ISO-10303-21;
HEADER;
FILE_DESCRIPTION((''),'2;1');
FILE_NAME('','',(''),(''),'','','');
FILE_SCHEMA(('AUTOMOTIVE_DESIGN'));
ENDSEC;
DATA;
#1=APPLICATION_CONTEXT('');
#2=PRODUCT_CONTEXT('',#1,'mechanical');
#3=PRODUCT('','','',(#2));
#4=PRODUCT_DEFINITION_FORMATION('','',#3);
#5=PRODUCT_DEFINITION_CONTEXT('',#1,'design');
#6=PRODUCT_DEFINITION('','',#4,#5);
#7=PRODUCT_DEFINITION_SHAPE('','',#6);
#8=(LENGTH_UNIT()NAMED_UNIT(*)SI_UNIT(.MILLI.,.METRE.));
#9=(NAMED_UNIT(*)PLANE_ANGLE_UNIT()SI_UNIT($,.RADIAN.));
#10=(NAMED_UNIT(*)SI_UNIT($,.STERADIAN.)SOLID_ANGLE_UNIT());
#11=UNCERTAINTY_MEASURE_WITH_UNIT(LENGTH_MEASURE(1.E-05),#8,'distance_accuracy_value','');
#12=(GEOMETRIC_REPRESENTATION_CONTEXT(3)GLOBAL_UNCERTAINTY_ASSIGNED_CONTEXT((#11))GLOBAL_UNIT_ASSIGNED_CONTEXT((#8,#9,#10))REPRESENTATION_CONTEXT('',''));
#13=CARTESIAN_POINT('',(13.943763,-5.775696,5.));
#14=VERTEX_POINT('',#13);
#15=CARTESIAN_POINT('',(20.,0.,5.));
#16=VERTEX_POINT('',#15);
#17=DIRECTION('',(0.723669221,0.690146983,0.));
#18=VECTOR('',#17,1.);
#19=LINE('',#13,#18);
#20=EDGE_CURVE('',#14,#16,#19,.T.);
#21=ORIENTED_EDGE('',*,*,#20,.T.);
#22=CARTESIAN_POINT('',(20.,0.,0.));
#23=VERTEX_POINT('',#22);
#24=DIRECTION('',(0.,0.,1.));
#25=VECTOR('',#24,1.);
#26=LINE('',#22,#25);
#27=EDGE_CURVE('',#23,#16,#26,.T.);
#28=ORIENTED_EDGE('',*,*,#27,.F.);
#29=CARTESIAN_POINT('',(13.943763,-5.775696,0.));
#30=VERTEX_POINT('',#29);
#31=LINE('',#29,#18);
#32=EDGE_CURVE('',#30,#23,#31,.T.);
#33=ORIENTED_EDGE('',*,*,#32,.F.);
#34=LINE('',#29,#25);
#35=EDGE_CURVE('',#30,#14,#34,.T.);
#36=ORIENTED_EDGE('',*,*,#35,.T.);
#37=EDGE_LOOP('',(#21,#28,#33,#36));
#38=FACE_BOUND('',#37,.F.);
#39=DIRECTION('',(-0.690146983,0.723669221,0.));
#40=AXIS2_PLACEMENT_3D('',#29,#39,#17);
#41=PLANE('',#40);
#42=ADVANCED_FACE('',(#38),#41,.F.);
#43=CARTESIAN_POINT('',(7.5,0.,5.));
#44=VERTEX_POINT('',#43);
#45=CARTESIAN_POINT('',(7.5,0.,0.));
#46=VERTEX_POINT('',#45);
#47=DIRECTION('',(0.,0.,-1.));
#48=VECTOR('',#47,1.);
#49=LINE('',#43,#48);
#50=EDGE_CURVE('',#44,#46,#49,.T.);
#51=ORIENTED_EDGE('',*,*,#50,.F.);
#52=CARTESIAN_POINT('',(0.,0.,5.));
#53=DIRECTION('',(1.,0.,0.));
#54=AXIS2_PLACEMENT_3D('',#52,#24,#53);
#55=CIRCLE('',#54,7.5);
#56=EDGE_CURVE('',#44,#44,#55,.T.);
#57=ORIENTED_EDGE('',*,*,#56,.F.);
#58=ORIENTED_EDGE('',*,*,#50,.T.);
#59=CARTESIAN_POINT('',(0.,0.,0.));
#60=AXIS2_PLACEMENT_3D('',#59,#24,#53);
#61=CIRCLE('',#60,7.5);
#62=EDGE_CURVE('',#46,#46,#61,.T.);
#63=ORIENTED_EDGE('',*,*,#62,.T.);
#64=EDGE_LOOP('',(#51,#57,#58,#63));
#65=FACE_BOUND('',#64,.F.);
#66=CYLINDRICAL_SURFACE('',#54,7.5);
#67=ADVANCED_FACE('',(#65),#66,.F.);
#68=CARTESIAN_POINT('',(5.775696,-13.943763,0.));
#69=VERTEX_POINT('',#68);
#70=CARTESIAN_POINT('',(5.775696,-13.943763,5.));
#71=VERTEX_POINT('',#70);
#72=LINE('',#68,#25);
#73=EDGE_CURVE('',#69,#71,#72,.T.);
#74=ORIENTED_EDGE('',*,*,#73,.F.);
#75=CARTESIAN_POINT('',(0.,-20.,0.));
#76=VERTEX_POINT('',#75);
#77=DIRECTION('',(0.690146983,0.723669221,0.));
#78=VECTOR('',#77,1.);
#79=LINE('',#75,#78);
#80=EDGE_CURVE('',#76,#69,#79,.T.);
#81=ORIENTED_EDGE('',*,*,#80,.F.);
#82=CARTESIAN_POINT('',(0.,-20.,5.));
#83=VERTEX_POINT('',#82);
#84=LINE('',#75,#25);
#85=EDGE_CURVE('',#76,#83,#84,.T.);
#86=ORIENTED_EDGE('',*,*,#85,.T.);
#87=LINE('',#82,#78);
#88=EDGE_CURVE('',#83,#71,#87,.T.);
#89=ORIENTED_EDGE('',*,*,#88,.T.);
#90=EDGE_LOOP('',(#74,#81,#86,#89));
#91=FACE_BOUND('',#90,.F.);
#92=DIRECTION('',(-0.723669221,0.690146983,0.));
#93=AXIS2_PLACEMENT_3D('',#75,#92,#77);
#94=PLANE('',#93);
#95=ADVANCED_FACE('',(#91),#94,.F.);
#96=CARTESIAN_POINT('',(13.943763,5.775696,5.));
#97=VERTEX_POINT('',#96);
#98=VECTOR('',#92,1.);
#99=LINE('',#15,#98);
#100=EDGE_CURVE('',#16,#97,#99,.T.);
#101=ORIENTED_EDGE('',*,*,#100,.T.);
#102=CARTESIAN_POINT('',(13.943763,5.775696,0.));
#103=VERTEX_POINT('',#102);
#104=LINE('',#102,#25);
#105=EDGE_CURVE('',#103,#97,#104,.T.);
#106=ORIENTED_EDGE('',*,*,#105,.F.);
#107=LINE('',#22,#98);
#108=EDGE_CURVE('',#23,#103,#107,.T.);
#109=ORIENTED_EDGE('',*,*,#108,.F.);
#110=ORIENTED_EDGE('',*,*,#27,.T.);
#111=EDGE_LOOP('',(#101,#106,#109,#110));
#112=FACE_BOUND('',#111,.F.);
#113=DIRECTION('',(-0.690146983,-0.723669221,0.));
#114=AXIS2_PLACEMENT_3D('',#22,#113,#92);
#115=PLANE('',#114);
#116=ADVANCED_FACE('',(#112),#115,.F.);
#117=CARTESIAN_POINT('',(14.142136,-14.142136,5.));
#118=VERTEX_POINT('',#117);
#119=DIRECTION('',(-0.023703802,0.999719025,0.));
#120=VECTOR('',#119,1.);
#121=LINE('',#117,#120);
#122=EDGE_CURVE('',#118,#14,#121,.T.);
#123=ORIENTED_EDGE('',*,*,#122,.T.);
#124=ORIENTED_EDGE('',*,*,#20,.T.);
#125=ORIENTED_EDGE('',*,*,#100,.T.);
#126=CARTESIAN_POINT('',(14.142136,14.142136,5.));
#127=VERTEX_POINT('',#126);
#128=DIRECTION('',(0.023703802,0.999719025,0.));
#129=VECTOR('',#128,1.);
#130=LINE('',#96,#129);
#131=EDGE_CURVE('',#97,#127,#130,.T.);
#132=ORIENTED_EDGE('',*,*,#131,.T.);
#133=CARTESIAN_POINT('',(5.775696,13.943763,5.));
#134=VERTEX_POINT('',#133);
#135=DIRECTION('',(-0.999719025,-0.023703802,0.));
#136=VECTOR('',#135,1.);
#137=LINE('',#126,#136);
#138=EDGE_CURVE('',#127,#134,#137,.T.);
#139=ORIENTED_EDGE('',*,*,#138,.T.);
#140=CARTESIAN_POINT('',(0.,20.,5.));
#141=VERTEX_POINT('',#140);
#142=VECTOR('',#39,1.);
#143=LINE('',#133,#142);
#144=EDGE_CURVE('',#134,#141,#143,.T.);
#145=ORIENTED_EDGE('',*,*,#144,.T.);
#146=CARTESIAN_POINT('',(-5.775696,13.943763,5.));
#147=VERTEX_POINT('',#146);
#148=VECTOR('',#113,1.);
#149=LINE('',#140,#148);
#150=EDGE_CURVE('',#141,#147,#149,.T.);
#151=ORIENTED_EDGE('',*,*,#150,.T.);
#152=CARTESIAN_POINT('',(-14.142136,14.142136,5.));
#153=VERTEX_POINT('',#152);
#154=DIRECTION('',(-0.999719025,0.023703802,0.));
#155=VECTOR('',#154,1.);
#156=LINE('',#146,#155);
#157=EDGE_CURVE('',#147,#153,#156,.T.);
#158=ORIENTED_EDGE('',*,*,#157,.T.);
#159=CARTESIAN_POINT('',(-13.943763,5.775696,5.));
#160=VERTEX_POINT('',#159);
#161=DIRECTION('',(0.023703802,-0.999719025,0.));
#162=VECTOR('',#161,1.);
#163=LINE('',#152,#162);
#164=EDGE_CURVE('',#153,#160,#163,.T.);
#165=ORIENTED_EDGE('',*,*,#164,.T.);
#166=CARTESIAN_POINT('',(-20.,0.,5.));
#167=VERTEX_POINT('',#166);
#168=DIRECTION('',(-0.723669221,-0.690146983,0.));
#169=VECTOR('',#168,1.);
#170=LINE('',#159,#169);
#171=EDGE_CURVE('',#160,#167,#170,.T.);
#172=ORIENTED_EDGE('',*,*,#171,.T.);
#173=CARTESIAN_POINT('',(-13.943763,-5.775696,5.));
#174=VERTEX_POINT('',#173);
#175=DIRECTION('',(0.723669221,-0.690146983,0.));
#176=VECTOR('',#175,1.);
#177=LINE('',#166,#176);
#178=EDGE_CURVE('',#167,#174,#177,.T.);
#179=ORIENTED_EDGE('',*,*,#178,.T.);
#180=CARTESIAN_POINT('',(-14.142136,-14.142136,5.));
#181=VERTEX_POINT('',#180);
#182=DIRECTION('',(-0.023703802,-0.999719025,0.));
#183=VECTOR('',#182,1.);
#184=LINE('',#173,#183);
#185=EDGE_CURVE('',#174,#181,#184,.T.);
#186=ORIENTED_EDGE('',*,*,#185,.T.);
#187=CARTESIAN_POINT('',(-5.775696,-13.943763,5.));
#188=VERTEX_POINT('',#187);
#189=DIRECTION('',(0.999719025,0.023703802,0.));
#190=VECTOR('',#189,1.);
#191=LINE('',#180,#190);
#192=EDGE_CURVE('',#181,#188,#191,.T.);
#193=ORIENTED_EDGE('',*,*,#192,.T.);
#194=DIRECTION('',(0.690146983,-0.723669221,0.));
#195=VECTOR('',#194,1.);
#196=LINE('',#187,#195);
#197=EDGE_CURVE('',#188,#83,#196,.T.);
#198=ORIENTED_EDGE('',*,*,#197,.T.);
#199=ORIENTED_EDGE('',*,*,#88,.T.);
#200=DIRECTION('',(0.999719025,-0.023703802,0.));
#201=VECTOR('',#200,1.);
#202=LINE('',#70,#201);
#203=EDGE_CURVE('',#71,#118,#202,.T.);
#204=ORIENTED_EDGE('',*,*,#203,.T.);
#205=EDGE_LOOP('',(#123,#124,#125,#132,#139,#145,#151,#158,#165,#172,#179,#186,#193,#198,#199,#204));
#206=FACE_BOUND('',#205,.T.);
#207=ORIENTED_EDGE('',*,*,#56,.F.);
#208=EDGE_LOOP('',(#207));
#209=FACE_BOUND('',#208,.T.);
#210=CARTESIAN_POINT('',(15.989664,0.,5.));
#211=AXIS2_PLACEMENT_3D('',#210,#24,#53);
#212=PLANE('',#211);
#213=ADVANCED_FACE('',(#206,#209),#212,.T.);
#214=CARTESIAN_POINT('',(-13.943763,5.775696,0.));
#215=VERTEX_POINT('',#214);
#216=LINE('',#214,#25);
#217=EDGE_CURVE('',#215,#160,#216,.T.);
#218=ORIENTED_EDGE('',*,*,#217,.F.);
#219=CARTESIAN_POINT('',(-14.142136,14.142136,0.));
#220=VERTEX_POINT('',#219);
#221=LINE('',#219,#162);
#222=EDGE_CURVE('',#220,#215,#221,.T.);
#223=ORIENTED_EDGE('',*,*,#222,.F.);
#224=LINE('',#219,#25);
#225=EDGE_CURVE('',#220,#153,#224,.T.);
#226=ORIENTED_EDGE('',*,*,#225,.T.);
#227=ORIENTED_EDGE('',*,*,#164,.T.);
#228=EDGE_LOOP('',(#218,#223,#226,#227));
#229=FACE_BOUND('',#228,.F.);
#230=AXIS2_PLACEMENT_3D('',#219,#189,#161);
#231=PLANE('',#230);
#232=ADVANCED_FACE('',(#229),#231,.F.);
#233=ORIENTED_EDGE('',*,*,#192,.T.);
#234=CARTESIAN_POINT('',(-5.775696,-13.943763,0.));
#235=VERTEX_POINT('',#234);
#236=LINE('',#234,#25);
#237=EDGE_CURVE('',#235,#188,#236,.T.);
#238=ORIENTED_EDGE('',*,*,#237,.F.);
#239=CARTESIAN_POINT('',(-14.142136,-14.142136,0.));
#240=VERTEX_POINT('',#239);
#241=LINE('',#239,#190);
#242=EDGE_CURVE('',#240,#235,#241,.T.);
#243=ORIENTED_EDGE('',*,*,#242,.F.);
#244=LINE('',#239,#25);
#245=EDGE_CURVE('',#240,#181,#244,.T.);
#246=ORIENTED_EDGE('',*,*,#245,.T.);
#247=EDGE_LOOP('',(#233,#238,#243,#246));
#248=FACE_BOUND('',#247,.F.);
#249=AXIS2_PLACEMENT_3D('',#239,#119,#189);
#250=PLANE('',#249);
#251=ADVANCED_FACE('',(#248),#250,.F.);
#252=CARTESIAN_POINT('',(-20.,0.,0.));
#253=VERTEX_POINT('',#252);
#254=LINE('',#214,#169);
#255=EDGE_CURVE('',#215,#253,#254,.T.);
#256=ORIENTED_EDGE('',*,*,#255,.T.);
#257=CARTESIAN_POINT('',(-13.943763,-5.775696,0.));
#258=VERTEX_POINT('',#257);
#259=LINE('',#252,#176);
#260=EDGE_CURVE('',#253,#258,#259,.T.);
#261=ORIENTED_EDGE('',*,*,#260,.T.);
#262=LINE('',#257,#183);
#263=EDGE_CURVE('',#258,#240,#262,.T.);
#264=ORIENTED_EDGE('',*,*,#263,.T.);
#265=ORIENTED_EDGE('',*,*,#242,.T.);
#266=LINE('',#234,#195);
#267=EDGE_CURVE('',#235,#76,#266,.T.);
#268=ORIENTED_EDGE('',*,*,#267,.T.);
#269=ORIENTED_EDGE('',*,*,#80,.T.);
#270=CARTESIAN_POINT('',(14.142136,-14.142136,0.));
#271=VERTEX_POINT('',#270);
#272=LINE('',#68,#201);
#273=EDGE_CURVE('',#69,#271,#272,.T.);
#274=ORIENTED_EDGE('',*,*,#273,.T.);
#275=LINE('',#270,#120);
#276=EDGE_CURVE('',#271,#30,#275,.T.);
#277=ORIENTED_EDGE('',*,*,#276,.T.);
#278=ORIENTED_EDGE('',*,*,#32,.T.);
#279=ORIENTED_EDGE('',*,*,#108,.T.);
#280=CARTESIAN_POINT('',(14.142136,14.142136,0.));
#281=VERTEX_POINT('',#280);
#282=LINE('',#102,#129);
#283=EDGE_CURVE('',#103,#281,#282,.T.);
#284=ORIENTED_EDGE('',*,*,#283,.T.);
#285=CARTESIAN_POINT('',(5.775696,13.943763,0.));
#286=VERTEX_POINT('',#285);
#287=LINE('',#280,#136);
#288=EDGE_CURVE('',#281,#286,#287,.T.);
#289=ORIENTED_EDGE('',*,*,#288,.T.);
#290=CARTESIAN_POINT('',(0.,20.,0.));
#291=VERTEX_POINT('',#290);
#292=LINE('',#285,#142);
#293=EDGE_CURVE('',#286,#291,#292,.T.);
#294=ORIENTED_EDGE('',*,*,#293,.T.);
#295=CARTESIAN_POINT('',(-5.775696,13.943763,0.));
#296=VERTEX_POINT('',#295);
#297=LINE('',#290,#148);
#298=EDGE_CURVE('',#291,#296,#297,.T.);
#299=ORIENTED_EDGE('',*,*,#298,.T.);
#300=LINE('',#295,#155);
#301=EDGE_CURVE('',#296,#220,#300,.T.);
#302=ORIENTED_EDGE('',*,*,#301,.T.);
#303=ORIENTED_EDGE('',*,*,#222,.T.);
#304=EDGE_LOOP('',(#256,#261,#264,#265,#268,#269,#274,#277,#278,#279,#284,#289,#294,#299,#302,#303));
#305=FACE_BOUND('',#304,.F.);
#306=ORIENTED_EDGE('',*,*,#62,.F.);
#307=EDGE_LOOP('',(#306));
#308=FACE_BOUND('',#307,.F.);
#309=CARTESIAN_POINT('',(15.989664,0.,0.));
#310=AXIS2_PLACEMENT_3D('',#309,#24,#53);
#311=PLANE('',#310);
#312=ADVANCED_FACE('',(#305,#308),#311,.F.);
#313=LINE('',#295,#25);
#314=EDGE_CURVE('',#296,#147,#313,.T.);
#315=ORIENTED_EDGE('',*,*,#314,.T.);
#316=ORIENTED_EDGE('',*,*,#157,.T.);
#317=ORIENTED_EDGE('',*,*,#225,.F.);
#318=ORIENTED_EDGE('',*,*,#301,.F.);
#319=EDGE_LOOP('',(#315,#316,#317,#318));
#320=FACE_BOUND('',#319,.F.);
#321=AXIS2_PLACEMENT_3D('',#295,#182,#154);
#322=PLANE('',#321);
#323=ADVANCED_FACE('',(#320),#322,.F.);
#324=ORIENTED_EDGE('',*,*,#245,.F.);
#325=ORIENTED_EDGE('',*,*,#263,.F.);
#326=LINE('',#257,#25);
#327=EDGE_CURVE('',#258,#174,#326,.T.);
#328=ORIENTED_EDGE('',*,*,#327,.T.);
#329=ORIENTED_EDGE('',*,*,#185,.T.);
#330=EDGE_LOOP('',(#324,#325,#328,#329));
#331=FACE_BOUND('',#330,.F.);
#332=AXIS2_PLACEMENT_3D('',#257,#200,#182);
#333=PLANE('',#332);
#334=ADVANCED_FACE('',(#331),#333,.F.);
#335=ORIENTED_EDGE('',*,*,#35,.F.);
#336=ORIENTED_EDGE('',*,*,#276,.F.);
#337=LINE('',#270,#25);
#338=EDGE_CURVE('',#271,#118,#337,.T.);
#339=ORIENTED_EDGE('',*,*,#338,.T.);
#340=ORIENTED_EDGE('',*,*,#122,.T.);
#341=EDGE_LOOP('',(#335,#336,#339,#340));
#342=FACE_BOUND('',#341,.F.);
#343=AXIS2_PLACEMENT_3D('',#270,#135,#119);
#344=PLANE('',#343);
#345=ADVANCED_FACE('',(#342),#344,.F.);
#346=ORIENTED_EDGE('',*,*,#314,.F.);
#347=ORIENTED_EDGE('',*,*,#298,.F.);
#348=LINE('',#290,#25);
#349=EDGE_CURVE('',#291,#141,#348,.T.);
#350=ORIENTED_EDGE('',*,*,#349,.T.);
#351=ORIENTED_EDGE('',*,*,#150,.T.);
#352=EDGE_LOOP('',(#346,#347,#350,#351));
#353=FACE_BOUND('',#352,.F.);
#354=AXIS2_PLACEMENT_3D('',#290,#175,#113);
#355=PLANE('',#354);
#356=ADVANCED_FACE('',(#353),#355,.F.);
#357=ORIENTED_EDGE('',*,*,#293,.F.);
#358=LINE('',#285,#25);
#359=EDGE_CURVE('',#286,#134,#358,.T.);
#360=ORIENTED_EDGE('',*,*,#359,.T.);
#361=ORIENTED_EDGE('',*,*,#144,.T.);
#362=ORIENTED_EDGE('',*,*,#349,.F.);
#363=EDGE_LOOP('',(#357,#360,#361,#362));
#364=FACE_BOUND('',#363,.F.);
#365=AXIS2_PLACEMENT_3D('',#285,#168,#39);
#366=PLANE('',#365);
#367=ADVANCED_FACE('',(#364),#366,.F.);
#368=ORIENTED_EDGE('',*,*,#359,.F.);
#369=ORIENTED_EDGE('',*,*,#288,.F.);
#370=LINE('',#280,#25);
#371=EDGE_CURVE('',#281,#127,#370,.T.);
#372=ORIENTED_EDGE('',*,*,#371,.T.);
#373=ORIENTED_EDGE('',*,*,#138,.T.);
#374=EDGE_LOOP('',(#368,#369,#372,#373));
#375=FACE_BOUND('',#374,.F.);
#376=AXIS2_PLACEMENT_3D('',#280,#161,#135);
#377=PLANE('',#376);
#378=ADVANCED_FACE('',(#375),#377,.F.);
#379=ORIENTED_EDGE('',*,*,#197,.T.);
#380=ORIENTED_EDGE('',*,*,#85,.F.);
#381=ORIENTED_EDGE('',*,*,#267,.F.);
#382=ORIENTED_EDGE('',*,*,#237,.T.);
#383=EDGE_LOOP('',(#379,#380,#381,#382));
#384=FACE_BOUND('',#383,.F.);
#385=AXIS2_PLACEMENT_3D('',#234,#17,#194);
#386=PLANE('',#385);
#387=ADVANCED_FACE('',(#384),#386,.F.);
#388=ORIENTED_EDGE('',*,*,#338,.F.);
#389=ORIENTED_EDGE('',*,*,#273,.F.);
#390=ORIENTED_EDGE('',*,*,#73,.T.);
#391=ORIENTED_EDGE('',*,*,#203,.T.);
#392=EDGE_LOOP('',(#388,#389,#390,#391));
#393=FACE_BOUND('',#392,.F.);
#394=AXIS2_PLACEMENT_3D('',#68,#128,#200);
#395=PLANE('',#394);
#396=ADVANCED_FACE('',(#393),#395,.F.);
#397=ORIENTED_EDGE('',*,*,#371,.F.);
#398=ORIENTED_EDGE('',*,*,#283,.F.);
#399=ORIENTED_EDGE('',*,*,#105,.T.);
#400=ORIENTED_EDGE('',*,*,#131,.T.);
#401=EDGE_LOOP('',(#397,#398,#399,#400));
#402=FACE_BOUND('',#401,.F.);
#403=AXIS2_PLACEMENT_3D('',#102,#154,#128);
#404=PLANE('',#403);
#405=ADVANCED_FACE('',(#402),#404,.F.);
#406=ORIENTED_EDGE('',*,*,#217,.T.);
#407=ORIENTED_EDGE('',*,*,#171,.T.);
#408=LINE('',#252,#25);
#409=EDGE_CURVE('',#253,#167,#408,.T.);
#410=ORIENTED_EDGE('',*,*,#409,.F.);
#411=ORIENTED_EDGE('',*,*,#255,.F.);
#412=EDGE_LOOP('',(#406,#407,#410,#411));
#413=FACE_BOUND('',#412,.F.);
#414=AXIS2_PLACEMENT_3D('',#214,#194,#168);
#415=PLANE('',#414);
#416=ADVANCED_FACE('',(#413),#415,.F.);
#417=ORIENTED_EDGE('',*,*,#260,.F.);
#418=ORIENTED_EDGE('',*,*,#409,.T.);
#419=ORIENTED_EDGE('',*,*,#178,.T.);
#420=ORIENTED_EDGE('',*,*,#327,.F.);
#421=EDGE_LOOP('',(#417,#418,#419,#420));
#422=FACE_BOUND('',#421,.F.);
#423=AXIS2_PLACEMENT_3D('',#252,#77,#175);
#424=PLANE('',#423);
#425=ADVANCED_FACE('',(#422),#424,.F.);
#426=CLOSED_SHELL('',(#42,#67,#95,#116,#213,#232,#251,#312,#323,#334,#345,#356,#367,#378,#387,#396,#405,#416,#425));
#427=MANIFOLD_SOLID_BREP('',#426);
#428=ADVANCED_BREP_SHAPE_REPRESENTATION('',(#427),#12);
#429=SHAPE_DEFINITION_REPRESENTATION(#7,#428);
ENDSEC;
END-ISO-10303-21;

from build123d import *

# Parameters (mm, degrees)
F1_DEPTH = 5
F2_R     = 7.5
F3_DEPTH = 25


with BuildPart() as f1:
    # F0 (on Top) → F1 (new body)
    with BuildSketch(Plane.XY):
        with BuildLine():
            ThreePointArc((13.93824703, 5.5430379513), (14.7321706726, 2.8219049018), (15, 0))
            ThreePointArc((15, 0), (14.7321706726, -2.8219049018), (13.93824703, -5.5430379513))
            Line((13.93824703, -5.5430379513), (13.9437634587, -5.7756959351))
            Line((13.9437634587, -5.7756959351), (20, 0))
            Line((20, 0), (13.9437634587, 5.7756959351))
            Line((13.9437634587, 5.7756959351), (13.93824703, 5.5430379513))
        make_face()
        with BuildLine():
            ThreePointArc((13.7753487165, 5.9363092691), (13.8581929877, 5.7402514855), (13.93824703, 5.5430379513))
            Line((13.93824703, 5.5430379513), (13.9437634587, 5.7756959351))
            Line((13.9437634587, 5.7756959351), (13.7753487165, 5.9363092691))
        make_face()
        with BuildLine():
            Line((13.9437634587, -5.7756959351), (13.93824703, -5.5430379513))
            ThreePointArc((13.93824703, -5.5430379513), (13.8581929877, -5.7402514855), (13.7753487165, -5.9363092691))
            Line((13.7753487165, -5.9363092691), (13.9437634587, -5.7756959351))
        make_face()
        with BuildLine():
            ThreePointArc((5.9363092691, 13.7753487165), (10.6066017178, 10.6066017178), (13.7753487165, 5.9363092691))
            Line((13.7753487165, 5.9363092691), (13.9437634587, 5.7756959351))
            Line((13.9437634587, 5.7756959351), (14.1421356237, 14.1421356237))
            Line((14.1421356237, 14.1421356237), (5.7756959351, 13.9437634587))
            Line((5.7756959351, 13.9437634587), (5.9363092691, 13.7753487165))
        make_face()
        with BuildLine():
            Line((13.9437634587, -5.7756959351), (13.7753487165, -5.9363092691))
            ThreePointArc((13.7753487165, -5.9363092691), (10.6066017178, -10.6066017178), (5.9363092691, -13.7753487165))
            Line((5.9363092691, -13.7753487165), (5.7756959351, -13.9437634587))
            Line((5.7756959351, -13.9437634587), (14.1421356237, -14.1421356237))
            Line((14.1421356237, -14.1421356237), (13.9437634587, -5.7756959351))
        make_face()
        with BuildLine():
            ThreePointArc((5.5430379513, 13.93824703), (5.7402514855, 13.8581929877), (5.9363092691, 13.7753487165))
            Line((5.9363092691, 13.7753487165), (5.7756959351, 13.9437634587))
            Line((5.7756959351, 13.9437634587), (5.5430379513, 13.93824703))
        make_face()
        with BuildLine():
            Line((5.7756959351, -13.9437634587), (5.9363092691, -13.7753487165))
            ThreePointArc((5.9363092691, -13.7753487165), (5.7402514855, -13.8581929877), (5.5430379513, -13.93824703))
            Line((5.5430379513, -13.93824703), (5.7756959351, -13.9437634587))
        make_face()
        with BuildLine():
            ThreePointArc((0, 15), (2.8219049018, 14.7321706726), (5.5430379513, 13.93824703))
            Line((5.5430379513, 13.93824703), (5.7756959351, 13.9437634587))
            Line((5.7756959351, 13.9437634587), (0, 20))
            Line((0, 20), (0, 15))
        make_face()
        with BuildLine():
            Line((5.7756959351, -13.9437634587), (5.5430379513, -13.93824703))
            ThreePointArc((5.5430379513, -13.93824703), (0, -15), (-5.5430379513, -13.93824703))
            Line((-5.5430379513, -13.93824703), (-5.7756959351, -13.9437634587))
            Line((-5.7756959351, -13.9437634587), (0, -20))
            Line((0, -20), (5.7756959351, -13.9437634587))
        make_face()
        with BuildLine():
            ThreePointArc((-5.5430379513, 13.93824703), (-2.8219049018, 14.7321706726), (0, 15))
            Line((0, 15), (0, 20))
            Line((0, 20), (-5.7756959351, 13.9437634587))
            Line((-5.7756959351, 13.9437634587), (-5.5430379513, 13.93824703))
        make_face()
        with BuildLine():
            Line((-5.7756959351, -13.9437634587), (-5.5430379513, -13.93824703))
            ThreePointArc((-5.5430379513, -13.93824703), (-5.7402514855, -13.8581929877), (-5.9363092691, -13.7753487165))
            Line((-5.9363092691, -13.7753487165), (-5.7756959351, -13.9437634587))
        make_face()
        with BuildLine():
            ThreePointArc((-5.9363092691, 13.7753487165), (-5.7402514855, 13.8581929877), (-5.5430379513, 13.93824703))
            Line((-5.5430379513, 13.93824703), (-5.7756959351, 13.9437634587))
            Line((-5.7756959351, 13.9437634587), (-5.9363092691, 13.7753487165))
        make_face()
        with BuildLine():
            Line((-5.9363092691, 13.7753487165), (-5.7756959351, 13.9437634587))
            Line((-5.7756959351, 13.9437634587), (-14.1421356237, 14.1421356237))
            Line((-14.1421356237, 14.1421356237), (-13.9437634587, 5.7756959351))
            Line((-13.9437634587, 5.7756959351), (-13.7753487165, 5.9363092691))
            ThreePointArc((-13.7753487165, 5.9363092691), (-10.6066017178, 10.6066017178), (-5.9363092691, 13.7753487165))
        make_face()
        with BuildLine():
            Line((-5.7756959351, -13.9437634587), (-5.9363092691, -13.7753487165))
            ThreePointArc((-5.9363092691, -13.7753487165), (-10.6066017178, -10.6066017178), (-13.7753487165, -5.9363092691))
            Line((-13.7753487165, -5.9363092691), (-13.9437634587, -5.7756959351))
            Line((-13.9437634587, -5.7756959351), (-14.1421356237, -14.1421356237))
            Line((-14.1421356237, -14.1421356237), (-5.7756959351, -13.9437634587))
        make_face()
        with BuildLine():
            Line((-13.9437634587, -5.7756959351), (-13.7753487165, -5.9363092691))
            ThreePointArc((-13.7753487165, -5.9363092691), (-13.8581929877, -5.7402514855), (-13.93824703, -5.5430379513))
            Line((-13.93824703, -5.5430379513), (-13.9437634587, -5.7756959351))
        make_face()
        with BuildLine():
            ThreePointArc((-13.93824703, 5.5430379513), (-13.8581929877, 5.7402514855), (-13.7753487165, 5.9363092691))
            Line((-13.7753487165, 5.9363092691), (-13.9437634587, 5.7756959351))
            Line((-13.9437634587, 5.7756959351), (-13.93824703, 5.5430379513))
        make_face()
        with BuildLine():
            Line((-13.93824703, 5.5430379513), (-13.9437634587, 5.7756959351))
            Line((-13.9437634587, 5.7756959351), (-20, 0))
            Line((-20, 0), (-13.9437634587, -5.7756959351))
            Line((-13.9437634587, -5.7756959351), (-13.93824703, -5.5430379513))
            ThreePointArc((-13.93824703, -5.5430379513), (-15, 0), (-13.93824703, 5.5430379513))
        make_face()
        with BuildLine():
            ThreePointArc((13.93824703, -5.5430379513), (14.7321706726, -2.8219049018), (15, 0))
            ThreePointArc((15, 0), (14.7321706726, 2.8219049018), (13.93824703, 5.5430379513))
            ThreePointArc((13.93824703, 5.5430379513), (13.8581929877, 5.7402514855), (13.7753487165, 5.9363092691))
            ThreePointArc((13.7753487165, 5.9363092691), (10.6066017178, 10.6066017178), (5.9363092691, 13.7753487165))
            ThreePointArc((5.9363092691, 13.7753487165), (5.7402514855, 13.8581929877), (5.5430379513, 13.93824703))
            ThreePointArc((5.5430379513, 13.93824703), (2.8219049018, 14.7321706726), (0, 15))
            ThreePointArc((0, 15), (-2.8219049018, 14.7321706726), (-5.5430379513, 13.93824703))
            ThreePointArc((-5.5430379513, 13.93824703), (-5.7402514855, 13.8581929877), (-5.9363092691, 13.7753487165))
            ThreePointArc((-5.9363092691, 13.7753487165), (-10.6066017178, 10.6066017178), (-13.7753487165, 5.9363092691))
            ThreePointArc((-13.7753487165, 5.9363092691), (-13.8581929877, 5.7402514855), (-13.93824703, 5.5430379513))
            ThreePointArc((-13.93824703, 5.5430379513), (-15, 0), (-13.93824703, -5.5430379513))
            ThreePointArc((-13.93824703, -5.5430379513), (-13.8581929877, -5.7402514855), (-13.7753487165, -5.9363092691))
            ThreePointArc((-13.7753487165, -5.9363092691), (-10.6066017178, -10.6066017178), (-5.9363092691, -13.7753487165))
            ThreePointArc((-5.9363092691, -13.7753487165), (-5.7402514855, -13.8581929877), (-5.5430379513, -13.93824703))
            ThreePointArc((-5.5430379513, -13.93824703), (0, -15), (5.5430379513, -13.93824703))
            ThreePointArc((5.5430379513, -13.93824703), (5.7402514855, -13.8581929877), (5.9363092691, -13.7753487165))
            ThreePointArc((5.9363092691, -13.7753487165), (10.6066017178, -10.6066017178), (13.7753487165, -5.9363092691))
            ThreePointArc((13.7753487165, -5.9363092691), (13.8581929877, -5.7402514855), (13.93824703, -5.5430379513))
        make_face()
    extrude(amount=F1_DEPTH)

    # F2 (on face) → F3 (cut)
    with BuildSketch(Plane.XY.offset(5)):
        Circle(F2_R)
    extrude(amount=-F3_DEPTH, mode=Mode.SUBTRACT)


solid = f1.part
